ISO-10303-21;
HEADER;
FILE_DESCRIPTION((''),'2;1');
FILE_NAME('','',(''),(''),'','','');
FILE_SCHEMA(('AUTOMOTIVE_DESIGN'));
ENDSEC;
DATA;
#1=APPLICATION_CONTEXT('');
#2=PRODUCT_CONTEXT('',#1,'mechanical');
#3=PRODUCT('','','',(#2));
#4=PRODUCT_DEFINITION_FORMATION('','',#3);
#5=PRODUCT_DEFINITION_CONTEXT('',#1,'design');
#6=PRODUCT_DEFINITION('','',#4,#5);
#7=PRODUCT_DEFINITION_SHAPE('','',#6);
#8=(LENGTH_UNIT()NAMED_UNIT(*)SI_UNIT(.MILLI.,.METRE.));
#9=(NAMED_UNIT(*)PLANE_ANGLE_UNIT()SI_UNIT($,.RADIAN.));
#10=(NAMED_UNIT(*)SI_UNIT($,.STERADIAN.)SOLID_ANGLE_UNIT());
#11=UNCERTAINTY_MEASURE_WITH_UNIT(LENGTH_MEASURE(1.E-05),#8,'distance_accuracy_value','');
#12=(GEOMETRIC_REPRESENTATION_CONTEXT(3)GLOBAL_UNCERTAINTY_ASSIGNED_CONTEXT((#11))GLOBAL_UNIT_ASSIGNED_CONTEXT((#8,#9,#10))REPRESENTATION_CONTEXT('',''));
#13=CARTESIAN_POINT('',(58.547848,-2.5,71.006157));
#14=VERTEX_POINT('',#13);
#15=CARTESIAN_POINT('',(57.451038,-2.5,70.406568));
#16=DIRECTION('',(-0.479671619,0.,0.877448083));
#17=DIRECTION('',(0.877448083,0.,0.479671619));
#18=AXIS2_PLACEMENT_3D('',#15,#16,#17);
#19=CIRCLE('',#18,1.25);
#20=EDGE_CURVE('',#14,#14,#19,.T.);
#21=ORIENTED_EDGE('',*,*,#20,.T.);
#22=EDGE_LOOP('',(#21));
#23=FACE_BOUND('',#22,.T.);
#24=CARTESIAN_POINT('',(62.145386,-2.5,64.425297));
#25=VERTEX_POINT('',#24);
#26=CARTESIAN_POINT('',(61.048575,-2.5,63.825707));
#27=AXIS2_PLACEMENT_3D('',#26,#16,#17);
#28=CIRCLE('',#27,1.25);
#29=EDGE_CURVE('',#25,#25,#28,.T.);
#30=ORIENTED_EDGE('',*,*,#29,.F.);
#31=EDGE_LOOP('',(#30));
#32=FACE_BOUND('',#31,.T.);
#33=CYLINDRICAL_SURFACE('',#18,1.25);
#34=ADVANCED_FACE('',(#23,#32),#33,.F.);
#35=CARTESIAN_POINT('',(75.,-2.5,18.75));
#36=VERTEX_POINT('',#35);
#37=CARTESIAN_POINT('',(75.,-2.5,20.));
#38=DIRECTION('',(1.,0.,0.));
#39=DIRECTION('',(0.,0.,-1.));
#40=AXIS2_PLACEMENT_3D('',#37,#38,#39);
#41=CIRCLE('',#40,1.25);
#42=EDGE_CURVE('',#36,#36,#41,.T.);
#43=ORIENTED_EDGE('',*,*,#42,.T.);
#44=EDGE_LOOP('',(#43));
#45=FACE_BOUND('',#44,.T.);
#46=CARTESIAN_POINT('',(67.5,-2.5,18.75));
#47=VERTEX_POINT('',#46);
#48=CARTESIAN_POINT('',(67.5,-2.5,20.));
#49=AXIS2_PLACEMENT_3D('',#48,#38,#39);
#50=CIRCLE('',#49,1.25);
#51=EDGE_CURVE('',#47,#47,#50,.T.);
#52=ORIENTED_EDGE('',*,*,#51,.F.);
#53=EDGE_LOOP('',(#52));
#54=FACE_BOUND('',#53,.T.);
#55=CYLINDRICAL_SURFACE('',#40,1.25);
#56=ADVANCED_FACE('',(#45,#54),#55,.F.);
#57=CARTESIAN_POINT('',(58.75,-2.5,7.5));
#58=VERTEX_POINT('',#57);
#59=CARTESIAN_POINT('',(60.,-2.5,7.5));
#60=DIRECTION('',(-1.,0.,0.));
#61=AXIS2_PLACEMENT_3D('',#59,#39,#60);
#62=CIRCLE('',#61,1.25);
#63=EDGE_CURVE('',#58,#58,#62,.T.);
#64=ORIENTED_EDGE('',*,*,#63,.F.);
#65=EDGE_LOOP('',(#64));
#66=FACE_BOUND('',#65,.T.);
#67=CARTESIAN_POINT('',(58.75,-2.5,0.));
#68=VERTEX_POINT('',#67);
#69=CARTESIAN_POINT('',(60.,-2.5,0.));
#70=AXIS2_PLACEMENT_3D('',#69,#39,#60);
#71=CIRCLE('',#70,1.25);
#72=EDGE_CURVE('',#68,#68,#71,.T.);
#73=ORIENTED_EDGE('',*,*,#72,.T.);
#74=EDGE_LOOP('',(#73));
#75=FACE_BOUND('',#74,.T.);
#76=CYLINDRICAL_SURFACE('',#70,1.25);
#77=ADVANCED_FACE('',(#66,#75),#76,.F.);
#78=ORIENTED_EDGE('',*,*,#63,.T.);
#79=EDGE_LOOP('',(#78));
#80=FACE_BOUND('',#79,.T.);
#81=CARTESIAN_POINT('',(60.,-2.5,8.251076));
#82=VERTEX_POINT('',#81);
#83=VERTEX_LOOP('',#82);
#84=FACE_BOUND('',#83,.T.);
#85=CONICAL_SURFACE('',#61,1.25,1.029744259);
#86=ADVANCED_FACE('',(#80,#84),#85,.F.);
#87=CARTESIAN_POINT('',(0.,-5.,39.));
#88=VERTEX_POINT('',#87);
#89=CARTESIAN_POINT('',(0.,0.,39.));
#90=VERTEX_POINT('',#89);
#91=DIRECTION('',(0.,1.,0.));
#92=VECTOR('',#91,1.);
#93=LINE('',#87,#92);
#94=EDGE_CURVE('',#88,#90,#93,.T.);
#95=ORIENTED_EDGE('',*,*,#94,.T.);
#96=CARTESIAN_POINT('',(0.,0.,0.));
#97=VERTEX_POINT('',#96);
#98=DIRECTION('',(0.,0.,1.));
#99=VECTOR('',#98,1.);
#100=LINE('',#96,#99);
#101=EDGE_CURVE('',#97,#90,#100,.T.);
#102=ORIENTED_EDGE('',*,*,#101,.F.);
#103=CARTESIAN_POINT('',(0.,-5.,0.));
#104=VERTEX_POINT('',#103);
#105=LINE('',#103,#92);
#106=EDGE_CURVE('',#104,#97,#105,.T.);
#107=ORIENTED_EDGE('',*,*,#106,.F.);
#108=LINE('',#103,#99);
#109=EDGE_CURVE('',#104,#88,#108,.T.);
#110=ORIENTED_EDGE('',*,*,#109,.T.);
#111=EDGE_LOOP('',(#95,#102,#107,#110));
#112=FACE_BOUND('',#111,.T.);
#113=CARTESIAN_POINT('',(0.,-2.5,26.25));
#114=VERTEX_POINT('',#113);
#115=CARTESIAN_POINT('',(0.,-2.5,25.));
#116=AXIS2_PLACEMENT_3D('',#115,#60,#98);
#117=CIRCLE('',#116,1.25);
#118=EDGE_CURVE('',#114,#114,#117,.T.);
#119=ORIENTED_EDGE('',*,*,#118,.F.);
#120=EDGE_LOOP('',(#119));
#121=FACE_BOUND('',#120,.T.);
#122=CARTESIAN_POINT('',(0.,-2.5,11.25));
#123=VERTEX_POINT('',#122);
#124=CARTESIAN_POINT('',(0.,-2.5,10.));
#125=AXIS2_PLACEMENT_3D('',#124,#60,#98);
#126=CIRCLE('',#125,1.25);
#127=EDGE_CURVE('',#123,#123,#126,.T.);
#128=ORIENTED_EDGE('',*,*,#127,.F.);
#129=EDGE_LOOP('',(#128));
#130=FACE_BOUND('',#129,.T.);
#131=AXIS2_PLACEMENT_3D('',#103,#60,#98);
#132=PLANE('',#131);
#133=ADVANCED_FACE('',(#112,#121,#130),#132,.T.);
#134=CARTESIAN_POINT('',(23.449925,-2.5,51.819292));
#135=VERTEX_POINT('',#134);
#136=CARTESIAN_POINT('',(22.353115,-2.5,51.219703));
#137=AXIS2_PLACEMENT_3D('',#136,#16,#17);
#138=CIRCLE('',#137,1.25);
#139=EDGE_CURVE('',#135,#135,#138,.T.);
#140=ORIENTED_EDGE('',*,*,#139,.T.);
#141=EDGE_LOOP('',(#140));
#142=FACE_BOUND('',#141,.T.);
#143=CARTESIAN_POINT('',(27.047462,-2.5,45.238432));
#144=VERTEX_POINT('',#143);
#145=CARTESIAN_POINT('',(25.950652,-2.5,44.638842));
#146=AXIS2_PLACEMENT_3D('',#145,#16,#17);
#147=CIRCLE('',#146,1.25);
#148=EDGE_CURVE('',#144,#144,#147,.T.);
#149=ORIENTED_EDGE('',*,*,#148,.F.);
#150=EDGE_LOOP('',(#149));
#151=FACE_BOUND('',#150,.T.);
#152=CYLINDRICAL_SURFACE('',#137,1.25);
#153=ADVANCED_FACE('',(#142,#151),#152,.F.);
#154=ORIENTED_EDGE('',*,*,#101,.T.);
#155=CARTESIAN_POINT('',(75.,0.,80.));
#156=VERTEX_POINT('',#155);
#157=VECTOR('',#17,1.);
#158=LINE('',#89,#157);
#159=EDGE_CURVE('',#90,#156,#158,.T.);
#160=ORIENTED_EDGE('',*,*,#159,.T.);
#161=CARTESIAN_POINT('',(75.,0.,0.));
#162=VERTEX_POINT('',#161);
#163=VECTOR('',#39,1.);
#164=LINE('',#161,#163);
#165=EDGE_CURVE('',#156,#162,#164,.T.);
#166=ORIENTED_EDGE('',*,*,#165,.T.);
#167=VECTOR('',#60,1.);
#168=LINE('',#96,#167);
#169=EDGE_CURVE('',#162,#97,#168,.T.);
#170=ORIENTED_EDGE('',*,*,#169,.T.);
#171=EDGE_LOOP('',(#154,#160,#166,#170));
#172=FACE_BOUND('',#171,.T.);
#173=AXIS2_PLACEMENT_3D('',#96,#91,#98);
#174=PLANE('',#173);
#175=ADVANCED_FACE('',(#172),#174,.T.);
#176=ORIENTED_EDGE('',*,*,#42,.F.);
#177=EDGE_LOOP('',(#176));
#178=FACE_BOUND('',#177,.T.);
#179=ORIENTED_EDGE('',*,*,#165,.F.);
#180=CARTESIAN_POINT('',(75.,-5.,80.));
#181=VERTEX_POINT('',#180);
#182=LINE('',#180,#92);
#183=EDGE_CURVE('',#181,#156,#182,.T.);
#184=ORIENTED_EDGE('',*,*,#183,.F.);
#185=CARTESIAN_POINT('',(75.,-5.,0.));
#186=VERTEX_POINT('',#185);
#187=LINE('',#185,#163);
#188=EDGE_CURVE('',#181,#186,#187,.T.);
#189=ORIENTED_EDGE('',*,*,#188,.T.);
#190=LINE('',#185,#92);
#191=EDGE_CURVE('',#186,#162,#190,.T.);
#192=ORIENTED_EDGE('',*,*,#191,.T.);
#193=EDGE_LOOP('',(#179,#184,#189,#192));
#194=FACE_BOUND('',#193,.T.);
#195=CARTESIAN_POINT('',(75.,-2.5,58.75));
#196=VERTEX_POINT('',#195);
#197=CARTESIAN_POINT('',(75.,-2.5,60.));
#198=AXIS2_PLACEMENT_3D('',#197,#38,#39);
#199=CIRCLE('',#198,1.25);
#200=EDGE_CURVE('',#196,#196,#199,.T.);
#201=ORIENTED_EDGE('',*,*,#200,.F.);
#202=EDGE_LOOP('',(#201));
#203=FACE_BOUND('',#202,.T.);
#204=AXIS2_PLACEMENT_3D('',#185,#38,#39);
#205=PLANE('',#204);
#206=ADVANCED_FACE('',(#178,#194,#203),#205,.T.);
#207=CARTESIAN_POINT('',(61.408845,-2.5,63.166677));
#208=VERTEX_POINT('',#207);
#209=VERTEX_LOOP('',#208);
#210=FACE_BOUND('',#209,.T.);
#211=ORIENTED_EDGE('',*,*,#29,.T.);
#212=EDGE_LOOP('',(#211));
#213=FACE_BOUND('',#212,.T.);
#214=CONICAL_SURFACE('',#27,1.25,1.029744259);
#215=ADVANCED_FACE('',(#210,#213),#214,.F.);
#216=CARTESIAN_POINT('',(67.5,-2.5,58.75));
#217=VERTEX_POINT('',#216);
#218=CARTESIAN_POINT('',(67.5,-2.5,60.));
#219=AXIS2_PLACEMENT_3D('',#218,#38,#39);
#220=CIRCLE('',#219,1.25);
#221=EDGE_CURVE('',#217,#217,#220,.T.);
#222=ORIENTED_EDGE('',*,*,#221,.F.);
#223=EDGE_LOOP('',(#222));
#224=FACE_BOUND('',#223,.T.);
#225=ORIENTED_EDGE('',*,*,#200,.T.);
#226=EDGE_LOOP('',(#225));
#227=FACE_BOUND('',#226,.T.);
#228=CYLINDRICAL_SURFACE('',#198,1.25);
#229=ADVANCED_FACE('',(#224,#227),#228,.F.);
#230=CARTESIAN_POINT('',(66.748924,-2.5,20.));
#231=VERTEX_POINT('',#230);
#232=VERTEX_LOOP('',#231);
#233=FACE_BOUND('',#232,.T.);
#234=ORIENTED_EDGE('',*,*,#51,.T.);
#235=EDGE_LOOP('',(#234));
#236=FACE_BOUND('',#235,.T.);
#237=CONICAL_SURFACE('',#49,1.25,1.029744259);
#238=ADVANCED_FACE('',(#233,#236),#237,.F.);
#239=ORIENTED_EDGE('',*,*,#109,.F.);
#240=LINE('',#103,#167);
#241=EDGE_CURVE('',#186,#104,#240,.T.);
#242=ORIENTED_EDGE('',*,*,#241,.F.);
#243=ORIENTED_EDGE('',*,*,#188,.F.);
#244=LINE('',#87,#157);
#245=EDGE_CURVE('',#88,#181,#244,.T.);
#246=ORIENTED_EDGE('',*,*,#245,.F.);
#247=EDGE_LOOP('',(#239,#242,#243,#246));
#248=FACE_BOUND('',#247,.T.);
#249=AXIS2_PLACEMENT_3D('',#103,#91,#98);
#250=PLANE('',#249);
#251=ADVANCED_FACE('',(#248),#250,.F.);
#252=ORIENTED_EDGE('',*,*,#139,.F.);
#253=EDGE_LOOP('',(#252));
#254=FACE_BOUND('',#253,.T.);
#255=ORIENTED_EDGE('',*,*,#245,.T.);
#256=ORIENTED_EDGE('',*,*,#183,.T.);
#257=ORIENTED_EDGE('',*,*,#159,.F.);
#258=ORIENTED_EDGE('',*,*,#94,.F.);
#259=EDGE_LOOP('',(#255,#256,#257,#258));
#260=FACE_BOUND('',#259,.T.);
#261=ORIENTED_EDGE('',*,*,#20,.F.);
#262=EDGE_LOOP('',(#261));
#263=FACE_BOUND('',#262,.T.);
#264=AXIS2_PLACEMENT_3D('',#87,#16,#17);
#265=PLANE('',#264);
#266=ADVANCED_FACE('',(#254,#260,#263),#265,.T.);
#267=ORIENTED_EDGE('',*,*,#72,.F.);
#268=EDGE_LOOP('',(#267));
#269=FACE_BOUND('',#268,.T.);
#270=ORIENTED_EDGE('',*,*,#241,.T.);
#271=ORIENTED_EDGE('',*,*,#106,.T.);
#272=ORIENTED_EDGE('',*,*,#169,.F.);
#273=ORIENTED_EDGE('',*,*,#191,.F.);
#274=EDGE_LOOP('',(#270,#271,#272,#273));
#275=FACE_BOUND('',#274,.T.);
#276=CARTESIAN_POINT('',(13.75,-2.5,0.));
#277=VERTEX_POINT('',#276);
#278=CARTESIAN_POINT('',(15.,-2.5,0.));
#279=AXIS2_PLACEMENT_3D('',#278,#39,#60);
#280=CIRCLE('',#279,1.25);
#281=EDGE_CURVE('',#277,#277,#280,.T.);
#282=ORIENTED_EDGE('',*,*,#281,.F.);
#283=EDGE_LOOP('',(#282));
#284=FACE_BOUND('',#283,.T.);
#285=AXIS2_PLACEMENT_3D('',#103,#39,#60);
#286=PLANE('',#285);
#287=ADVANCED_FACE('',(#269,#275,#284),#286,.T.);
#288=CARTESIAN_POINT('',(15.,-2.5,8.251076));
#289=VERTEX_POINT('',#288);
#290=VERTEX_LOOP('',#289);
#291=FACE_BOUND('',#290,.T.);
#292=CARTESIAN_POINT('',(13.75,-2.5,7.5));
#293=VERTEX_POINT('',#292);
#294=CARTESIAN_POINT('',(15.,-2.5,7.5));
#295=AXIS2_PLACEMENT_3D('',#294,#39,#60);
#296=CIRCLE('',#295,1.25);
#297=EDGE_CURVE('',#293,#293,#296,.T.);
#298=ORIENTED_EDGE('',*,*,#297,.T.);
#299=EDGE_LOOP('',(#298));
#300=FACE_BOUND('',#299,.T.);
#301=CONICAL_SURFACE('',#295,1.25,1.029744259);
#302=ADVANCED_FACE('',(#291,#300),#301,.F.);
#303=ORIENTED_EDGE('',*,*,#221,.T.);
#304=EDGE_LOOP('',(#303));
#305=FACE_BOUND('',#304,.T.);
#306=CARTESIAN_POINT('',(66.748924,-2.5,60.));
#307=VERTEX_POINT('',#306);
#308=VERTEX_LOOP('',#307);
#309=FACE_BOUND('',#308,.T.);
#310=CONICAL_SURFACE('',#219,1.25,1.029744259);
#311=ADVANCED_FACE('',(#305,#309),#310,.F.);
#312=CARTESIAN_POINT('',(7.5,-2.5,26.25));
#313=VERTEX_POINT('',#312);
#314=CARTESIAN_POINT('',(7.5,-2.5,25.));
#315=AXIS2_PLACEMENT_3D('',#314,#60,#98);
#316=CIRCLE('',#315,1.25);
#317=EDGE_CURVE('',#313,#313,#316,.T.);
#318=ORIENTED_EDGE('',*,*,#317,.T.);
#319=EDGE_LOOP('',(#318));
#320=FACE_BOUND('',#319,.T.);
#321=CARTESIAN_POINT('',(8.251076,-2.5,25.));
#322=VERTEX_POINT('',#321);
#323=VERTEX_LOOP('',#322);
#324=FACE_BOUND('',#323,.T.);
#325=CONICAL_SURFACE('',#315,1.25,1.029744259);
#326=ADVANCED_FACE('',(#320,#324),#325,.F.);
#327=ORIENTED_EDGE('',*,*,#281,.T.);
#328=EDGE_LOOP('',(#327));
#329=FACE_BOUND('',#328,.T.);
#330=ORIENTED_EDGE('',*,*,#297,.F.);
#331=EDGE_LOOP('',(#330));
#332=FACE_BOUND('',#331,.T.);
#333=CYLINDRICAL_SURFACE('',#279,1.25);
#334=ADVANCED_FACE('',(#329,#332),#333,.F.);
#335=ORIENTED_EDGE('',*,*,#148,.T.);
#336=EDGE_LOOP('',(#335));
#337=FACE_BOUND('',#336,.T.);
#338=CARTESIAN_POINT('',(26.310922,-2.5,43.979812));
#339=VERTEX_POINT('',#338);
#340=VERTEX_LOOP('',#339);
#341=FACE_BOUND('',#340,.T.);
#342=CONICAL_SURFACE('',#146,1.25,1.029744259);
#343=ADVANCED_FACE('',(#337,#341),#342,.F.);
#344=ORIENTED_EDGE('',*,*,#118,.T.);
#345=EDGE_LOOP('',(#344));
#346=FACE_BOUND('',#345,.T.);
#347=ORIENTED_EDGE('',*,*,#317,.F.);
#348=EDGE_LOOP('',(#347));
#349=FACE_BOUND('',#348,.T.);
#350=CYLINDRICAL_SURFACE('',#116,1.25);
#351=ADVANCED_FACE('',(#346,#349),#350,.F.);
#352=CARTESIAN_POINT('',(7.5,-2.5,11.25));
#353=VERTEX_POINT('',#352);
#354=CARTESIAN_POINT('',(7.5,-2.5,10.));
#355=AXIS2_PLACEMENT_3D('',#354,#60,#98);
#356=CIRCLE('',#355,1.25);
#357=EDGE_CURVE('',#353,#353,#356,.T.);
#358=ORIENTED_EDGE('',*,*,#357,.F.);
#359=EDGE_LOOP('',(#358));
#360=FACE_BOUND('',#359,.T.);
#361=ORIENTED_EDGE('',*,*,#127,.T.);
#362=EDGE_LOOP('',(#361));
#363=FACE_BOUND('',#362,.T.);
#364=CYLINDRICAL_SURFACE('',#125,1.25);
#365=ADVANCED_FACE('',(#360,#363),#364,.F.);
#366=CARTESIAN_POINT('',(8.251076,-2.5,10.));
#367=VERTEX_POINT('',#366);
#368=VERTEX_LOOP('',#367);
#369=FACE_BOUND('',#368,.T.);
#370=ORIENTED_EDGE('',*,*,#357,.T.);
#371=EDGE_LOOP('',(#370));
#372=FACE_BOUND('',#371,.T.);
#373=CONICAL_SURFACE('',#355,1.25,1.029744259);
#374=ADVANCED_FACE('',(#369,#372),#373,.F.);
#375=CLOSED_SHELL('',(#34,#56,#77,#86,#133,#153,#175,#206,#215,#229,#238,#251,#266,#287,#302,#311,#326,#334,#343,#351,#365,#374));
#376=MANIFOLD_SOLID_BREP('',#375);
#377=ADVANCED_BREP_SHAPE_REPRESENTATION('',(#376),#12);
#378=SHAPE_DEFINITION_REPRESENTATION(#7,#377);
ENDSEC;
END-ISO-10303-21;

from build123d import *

# Parameters (mm, degrees)
BOSS_EXTRUDE1_DEPTH       = 5
M3X0_5_TAPPED_HOLE1_D     = 2.5
M3X0_5_TAPPED_HOLE1_DEPTH = 7.5
M3X0_5_TAPPED_HOLE1_TIP   = 0.751075774
M3X0_5_TAPPED_HOLE2_D     = 2.5
M3X0_5_TAPPED_HOLE2_DEPTH = 7.5
M3X0_5_TAPPED_HOLE2_TIP   = 0.751075774
M3X0_5_TAPPED_HOLE3_D     = 2.5
M3X0_5_TAPPED_HOLE3_DEPTH = 7.5
M3X0_5_TAPPED_HOLE3_TIP   = 0.751075774
M3X0_5_TAPPED_HOLE4_D     = 2.5
M3X0_5_TAPPED_HOLE4_DEPTH = 7.5
M3X0_5_TAPPED_HOLE4_TIP   = 0.751075774


with BuildPart() as part:
    # Sketch1 → Boss-Extrude1 (new body)
    with BuildSketch(Plane(origin=(0, 0, 0), x_dir=(1, 0, 0), z_dir=(0, 1, 0))):
        Polygon((0, -39), (75, -80), (75, 0), (0, 0), align=None)
    extrude(amount=-BOSS_EXTRUDE1_DEPTH)

    # M3x0.5 Tapped Hole1
    with Locations(Plane(origin=(0, 0, 0), x_dir=(-1, 0, 0), z_dir=(0, 0, -1))):
        with Locations((-15, -2.5), (-60, -2.5)):
            Hole(M3X0_5_TAPPED_HOLE1_D / 2, depth=M3X0_5_TAPPED_HOLE1_DEPTH)
            with Locations((0, 0, -(M3X0_5_TAPPED_HOLE1_DEPTH + M3X0_5_TAPPED_HOLE1_TIP / 2))):  # 118° drill point
                Cone(0, M3X0_5_TAPPED_HOLE1_D / 2, M3X0_5_TAPPED_HOLE1_TIP, mode=Mode.SUBTRACT)

    # M3x0.5 Tapped Hole2
    with Locations(Plane.ZY):
        with Locations((10, -2.5), (25, -2.5)):
            Hole(M3X0_5_TAPPED_HOLE2_D / 2, depth=M3X0_5_TAPPED_HOLE2_DEPTH)
            with Locations((0, 0, -(M3X0_5_TAPPED_HOLE2_DEPTH + M3X0_5_TAPPED_HOLE2_TIP / 2))):  # 118° drill point
                Cone(0, M3X0_5_TAPPED_HOLE2_D / 2, M3X0_5_TAPPED_HOLE2_TIP, mode=Mode.SUBTRACT)

    # M3x0.5 Tapped Hole3
    with Locations(Plane(origin=(75, 0, 0), x_dir=(0, 0, -1), z_dir=(1, 0, 0))):
        with Locations((-20, -2.5), (-60, -2.5)):
            Hole(M3X0_5_TAPPED_HOLE3_D / 2, depth=M3X0_5_TAPPED_HOLE3_DEPTH)
            with Locations((0, 0, -(M3X0_5_TAPPED_HOLE3_DEPTH + M3X0_5_TAPPED_HOLE3_TIP / 2))):  # 118° drill point
                Cone(0, M3X0_5_TAPPED_HOLE3_D / 2, M3X0_5_TAPPED_HOLE3_TIP, mode=Mode.SUBTRACT)

    # M3x0.5 Tapped Hole4
    with Locations(Plane(origin=(-16.414590747, 0, 30.026690391), x_dir=(0.8774480829328538, 0, 0.4796716186699602), z_dir=(-0.4796716186699602, 0, 0.8774480829328538))):
        with Locations((44.182335714, -2.5), (84.182335714, -2.5)):
            Hole(M3X0_5_TAPPED_HOLE4_D / 2, depth=M3X0_5_TAPPED_HOLE4_DEPTH)
            with Locations((0, 0, -(M3X0_5_TAPPED_HOLE4_DEPTH + M3X0_5_TAPPED_HOLE4_TIP / 2))):  # 118° drill point
                Cone(0, M3X0_5_TAPPED_HOLE4_D / 2, M3X0_5_TAPPED_HOLE4_TIP, mode=Mode.SUBTRACT)


solid = part.part
